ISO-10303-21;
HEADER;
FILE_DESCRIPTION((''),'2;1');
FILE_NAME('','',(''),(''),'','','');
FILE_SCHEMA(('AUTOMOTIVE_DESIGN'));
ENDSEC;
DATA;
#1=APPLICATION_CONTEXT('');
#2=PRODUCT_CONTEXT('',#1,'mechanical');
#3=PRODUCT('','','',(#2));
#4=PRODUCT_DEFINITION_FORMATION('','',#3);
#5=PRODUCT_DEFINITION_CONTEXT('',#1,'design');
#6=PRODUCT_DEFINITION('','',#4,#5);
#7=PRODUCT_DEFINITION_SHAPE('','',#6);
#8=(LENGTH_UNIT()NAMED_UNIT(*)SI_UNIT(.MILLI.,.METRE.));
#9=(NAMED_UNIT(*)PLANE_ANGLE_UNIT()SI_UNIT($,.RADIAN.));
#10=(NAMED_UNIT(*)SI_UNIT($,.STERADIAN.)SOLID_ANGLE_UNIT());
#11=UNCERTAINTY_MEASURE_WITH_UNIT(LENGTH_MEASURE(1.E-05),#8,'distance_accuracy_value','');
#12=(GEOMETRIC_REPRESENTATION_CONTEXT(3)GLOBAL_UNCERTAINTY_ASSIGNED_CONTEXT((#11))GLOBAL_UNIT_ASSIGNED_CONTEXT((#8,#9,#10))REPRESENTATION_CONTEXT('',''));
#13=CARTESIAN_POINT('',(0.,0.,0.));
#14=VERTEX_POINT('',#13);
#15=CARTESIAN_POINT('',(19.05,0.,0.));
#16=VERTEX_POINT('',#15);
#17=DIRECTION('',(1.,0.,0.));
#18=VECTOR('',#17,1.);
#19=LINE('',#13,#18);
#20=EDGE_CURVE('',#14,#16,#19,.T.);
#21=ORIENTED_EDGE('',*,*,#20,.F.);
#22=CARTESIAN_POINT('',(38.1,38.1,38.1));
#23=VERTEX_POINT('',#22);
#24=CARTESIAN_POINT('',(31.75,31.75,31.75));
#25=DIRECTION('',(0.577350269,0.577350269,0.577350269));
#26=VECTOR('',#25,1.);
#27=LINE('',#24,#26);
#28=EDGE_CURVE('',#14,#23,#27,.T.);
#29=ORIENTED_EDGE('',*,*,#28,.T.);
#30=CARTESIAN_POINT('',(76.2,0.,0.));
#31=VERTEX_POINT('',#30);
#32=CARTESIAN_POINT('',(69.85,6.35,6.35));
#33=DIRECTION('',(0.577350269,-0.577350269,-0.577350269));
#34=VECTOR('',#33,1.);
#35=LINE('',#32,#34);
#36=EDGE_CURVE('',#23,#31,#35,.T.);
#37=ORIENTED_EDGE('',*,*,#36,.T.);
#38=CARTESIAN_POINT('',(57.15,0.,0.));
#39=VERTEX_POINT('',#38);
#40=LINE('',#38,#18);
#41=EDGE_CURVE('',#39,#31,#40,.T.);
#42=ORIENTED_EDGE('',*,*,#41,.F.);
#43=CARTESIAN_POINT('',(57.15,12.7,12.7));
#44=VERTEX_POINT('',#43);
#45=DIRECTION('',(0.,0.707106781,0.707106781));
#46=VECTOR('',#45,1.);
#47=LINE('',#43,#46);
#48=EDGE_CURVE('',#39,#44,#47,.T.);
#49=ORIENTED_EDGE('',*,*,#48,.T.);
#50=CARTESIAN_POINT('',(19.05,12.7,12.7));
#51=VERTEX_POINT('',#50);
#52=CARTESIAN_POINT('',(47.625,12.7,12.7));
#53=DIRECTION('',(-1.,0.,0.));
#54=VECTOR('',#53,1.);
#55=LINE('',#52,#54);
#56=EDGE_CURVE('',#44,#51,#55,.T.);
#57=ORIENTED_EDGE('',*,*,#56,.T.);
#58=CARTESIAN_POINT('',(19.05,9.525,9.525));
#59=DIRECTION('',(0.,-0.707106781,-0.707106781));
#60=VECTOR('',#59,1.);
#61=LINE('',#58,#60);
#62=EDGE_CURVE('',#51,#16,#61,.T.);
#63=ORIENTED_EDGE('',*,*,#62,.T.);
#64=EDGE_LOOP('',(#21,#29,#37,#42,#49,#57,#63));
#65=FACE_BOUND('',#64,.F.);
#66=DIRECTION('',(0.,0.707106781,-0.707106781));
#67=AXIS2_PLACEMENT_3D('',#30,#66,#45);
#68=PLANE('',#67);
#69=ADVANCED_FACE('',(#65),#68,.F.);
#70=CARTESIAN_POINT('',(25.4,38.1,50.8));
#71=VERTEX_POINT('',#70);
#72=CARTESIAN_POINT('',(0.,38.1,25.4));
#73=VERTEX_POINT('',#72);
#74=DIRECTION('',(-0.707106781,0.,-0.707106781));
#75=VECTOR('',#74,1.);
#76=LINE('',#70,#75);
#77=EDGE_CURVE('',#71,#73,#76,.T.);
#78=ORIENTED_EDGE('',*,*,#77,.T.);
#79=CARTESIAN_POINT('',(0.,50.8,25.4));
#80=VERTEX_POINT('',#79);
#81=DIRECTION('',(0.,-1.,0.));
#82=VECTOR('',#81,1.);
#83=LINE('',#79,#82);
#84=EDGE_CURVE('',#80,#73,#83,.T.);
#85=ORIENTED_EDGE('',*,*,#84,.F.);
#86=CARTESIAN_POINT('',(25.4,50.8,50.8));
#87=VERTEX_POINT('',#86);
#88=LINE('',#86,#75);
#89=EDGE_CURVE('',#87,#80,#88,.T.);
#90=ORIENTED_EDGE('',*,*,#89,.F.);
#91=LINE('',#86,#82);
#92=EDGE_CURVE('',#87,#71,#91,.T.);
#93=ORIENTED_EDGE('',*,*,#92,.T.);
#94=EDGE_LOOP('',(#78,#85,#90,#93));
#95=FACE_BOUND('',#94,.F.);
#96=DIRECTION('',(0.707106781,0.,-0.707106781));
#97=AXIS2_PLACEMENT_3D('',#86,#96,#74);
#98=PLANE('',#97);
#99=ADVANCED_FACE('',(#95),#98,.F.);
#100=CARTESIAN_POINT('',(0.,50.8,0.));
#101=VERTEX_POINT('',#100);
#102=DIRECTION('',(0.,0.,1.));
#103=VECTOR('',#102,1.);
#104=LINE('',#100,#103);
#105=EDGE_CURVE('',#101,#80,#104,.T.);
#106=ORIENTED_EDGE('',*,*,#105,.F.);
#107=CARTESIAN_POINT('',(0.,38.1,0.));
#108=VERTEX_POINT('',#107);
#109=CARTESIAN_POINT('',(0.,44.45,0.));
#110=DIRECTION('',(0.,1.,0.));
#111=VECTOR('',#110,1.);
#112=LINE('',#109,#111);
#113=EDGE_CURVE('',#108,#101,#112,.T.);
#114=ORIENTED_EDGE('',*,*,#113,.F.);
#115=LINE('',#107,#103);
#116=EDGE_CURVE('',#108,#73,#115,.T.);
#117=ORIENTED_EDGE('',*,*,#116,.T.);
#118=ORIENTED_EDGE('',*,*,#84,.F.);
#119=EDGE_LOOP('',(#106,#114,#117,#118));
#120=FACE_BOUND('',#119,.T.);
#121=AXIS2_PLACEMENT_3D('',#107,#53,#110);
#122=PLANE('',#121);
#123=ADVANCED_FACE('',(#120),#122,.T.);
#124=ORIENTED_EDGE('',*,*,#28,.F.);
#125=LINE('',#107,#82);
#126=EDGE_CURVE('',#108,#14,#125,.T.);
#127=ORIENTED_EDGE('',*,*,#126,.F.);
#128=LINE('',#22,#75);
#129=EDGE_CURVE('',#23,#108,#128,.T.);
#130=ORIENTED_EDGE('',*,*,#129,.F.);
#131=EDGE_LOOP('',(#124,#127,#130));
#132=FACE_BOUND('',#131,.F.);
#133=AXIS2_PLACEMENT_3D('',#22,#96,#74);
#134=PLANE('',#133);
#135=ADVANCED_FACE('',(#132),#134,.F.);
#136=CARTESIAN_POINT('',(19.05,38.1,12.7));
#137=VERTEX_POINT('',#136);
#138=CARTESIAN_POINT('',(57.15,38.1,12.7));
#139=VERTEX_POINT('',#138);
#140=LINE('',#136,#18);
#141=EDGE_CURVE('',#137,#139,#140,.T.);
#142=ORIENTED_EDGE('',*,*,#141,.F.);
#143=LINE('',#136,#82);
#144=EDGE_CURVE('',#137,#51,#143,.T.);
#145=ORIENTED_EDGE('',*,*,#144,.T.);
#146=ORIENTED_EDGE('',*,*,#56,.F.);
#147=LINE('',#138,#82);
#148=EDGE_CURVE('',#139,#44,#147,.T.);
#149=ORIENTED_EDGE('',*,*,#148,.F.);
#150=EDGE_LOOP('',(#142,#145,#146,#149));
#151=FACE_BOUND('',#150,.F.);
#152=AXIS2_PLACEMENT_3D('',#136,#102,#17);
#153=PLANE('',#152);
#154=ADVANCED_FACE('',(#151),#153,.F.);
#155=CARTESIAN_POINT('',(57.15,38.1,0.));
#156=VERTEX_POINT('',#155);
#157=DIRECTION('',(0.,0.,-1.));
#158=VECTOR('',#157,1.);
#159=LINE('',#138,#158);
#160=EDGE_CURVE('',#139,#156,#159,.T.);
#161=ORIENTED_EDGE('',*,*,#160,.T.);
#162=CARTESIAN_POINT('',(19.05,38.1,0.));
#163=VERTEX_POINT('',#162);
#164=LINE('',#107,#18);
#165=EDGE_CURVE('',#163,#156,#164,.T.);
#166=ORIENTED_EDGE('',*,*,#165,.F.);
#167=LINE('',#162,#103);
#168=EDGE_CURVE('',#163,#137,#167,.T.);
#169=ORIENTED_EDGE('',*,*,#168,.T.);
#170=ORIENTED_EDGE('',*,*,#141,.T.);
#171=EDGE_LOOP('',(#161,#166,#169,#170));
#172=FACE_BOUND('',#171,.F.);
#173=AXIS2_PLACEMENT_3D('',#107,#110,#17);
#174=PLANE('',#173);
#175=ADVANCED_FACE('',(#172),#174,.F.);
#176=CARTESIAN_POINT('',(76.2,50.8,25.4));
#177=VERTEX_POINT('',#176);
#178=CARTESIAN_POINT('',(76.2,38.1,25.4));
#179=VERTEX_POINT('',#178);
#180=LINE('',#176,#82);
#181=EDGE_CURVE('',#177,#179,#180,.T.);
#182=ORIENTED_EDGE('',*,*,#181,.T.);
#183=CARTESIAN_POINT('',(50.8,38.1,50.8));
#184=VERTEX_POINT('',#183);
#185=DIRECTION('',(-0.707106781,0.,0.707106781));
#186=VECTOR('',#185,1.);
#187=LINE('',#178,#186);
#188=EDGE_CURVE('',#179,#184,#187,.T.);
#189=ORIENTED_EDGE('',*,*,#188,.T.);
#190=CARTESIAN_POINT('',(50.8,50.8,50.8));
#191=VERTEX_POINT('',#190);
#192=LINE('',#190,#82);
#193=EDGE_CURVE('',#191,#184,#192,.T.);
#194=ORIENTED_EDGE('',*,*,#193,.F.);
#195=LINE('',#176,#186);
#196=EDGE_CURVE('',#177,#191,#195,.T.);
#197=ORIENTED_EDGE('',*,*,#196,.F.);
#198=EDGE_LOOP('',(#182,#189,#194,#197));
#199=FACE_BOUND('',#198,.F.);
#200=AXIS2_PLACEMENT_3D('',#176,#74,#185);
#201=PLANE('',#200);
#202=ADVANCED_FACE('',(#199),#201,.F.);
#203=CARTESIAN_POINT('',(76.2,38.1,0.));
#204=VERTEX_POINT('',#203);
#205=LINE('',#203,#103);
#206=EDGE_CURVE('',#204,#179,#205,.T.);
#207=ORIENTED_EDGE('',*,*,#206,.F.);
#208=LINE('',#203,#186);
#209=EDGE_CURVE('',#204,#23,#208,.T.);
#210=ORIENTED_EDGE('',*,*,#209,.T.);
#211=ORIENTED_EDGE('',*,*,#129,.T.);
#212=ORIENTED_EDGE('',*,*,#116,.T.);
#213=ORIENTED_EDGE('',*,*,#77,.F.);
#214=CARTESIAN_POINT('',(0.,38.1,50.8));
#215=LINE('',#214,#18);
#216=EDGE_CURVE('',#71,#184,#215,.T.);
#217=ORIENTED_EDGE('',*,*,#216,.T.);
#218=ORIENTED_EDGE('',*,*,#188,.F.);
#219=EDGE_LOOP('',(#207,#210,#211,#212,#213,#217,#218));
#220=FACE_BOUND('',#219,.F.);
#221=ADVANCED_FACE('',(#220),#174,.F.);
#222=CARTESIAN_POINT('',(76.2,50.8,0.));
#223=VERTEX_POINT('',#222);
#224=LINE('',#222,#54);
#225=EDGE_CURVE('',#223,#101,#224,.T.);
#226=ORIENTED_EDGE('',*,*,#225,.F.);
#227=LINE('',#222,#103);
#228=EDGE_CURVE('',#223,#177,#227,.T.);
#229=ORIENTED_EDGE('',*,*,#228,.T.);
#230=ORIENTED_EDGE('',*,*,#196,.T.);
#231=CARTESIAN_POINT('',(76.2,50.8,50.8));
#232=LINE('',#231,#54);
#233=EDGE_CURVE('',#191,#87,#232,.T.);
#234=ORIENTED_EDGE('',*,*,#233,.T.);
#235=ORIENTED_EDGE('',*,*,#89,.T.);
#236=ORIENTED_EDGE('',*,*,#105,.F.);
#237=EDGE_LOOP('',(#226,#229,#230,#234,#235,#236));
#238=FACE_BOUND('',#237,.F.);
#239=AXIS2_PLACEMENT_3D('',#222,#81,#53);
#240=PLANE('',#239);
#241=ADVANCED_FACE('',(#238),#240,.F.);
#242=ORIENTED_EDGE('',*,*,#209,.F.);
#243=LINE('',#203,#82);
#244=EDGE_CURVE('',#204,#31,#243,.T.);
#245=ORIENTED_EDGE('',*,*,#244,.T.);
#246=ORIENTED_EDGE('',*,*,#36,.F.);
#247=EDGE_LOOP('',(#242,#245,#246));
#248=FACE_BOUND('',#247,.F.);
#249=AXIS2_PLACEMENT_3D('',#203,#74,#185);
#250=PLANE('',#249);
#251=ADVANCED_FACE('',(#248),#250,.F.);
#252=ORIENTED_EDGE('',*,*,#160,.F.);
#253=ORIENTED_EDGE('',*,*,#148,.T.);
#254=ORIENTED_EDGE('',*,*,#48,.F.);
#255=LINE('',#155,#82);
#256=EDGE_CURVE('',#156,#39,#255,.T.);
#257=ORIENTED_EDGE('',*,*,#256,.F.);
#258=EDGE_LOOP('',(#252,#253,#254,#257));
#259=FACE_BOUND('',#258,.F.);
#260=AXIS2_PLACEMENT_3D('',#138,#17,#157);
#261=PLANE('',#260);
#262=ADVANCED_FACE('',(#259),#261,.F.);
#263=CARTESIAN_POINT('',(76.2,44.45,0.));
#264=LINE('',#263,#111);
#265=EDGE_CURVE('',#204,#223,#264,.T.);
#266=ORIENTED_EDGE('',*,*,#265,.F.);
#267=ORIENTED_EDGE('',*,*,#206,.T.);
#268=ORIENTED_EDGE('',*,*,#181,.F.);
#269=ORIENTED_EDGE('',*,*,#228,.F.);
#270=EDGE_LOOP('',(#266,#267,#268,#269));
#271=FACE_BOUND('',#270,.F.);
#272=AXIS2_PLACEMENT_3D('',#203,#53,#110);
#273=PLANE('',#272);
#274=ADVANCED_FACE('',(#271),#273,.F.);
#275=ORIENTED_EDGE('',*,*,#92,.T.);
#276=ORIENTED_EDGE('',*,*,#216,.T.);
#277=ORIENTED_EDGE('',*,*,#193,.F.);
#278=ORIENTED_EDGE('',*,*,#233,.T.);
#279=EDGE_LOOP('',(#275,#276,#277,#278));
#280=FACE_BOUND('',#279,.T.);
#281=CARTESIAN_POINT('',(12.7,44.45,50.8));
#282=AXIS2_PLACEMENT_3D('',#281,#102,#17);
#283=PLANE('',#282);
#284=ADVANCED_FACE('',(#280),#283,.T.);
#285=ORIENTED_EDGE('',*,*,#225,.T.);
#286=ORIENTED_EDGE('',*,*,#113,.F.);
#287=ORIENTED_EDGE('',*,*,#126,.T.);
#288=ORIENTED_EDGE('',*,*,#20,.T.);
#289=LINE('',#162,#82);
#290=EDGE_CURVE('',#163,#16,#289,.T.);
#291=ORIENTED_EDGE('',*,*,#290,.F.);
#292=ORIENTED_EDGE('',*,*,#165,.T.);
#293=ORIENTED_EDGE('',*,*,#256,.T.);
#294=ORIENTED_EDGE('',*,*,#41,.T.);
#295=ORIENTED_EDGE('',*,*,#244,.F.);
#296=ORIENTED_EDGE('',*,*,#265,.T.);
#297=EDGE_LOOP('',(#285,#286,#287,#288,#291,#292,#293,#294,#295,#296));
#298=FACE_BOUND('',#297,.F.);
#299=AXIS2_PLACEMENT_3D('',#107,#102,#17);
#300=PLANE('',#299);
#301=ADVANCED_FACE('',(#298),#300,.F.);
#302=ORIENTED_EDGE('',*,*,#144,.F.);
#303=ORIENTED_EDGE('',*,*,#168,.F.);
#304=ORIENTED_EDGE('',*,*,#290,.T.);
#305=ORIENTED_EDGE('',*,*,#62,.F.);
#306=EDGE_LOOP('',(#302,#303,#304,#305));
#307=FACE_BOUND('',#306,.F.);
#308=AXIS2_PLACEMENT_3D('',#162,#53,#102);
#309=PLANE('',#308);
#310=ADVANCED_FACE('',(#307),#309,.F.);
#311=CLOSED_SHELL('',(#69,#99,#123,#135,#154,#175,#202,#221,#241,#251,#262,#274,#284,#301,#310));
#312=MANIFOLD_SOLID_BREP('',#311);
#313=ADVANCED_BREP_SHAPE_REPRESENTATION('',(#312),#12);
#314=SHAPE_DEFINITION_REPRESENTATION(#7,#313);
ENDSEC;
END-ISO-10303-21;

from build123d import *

# Parameters (mm, degrees)
F0_W     = 25.4
F0_H     = 12.7
F1_DEPTH = 50.8
F3_DEPTH = 12.7
F5_DEPTH = 38.1
F7_DEPTH = 76.201


with BuildPart() as f1:
    # F0 (on Top) → F1 (new body)
    with BuildSketch(Plane.XY):
        with Locations((12.7, 44.45)):
            Rectangle(F0_W, F0_H)
        Polygon((25.4, 38.1), (38.1, 38.1), (50.8, 38.1), (50.8, 50.8), (25.4, 50.8), align=None)
        with Locations((63.5, 44.45)):
            Rectangle(F0_W, F0_H)
    extrude(amount=F1_DEPTH)

    # F2 (on face) → F3 (cut)
    with BuildSketch(Plane(origin=(0, 50.8, 0), x_dir=(-1, 0, 0), z_dir=(0, 1, 0))):
        Polygon((-76.2, 25.4), (-50.8, 50.8), (-76.2, 50.8), align=None)
        Polygon((-25.4, 50.8), (0, 25.4), (0, 50.8), align=None)
    extrude(amount=-F3_DEPTH, mode=Mode.SUBTRACT)

    # F4 (on face) → F5 (join)
    with BuildSketch(Plane.XZ.offset(-38.1)):
        Polygon((38.1, 38.1), (0, 0), (19.05, 0), (19.05, 12.7), (57.15, 12.7), (57.15, 0), (76.2, 0), align=None)
    extrude(amount=F5_DEPTH)

    # F6 (on face) → F7 (cut, through all)
    with BuildSketch(Plane.YZ.offset(76.2)):
        Polygon((38.1, 38.1), (0, 38.1), (0, 0), align=None)
    extrude(amount=-F7_DEPTH, mode=Mode.SUBTRACT)


solid = f1.part
